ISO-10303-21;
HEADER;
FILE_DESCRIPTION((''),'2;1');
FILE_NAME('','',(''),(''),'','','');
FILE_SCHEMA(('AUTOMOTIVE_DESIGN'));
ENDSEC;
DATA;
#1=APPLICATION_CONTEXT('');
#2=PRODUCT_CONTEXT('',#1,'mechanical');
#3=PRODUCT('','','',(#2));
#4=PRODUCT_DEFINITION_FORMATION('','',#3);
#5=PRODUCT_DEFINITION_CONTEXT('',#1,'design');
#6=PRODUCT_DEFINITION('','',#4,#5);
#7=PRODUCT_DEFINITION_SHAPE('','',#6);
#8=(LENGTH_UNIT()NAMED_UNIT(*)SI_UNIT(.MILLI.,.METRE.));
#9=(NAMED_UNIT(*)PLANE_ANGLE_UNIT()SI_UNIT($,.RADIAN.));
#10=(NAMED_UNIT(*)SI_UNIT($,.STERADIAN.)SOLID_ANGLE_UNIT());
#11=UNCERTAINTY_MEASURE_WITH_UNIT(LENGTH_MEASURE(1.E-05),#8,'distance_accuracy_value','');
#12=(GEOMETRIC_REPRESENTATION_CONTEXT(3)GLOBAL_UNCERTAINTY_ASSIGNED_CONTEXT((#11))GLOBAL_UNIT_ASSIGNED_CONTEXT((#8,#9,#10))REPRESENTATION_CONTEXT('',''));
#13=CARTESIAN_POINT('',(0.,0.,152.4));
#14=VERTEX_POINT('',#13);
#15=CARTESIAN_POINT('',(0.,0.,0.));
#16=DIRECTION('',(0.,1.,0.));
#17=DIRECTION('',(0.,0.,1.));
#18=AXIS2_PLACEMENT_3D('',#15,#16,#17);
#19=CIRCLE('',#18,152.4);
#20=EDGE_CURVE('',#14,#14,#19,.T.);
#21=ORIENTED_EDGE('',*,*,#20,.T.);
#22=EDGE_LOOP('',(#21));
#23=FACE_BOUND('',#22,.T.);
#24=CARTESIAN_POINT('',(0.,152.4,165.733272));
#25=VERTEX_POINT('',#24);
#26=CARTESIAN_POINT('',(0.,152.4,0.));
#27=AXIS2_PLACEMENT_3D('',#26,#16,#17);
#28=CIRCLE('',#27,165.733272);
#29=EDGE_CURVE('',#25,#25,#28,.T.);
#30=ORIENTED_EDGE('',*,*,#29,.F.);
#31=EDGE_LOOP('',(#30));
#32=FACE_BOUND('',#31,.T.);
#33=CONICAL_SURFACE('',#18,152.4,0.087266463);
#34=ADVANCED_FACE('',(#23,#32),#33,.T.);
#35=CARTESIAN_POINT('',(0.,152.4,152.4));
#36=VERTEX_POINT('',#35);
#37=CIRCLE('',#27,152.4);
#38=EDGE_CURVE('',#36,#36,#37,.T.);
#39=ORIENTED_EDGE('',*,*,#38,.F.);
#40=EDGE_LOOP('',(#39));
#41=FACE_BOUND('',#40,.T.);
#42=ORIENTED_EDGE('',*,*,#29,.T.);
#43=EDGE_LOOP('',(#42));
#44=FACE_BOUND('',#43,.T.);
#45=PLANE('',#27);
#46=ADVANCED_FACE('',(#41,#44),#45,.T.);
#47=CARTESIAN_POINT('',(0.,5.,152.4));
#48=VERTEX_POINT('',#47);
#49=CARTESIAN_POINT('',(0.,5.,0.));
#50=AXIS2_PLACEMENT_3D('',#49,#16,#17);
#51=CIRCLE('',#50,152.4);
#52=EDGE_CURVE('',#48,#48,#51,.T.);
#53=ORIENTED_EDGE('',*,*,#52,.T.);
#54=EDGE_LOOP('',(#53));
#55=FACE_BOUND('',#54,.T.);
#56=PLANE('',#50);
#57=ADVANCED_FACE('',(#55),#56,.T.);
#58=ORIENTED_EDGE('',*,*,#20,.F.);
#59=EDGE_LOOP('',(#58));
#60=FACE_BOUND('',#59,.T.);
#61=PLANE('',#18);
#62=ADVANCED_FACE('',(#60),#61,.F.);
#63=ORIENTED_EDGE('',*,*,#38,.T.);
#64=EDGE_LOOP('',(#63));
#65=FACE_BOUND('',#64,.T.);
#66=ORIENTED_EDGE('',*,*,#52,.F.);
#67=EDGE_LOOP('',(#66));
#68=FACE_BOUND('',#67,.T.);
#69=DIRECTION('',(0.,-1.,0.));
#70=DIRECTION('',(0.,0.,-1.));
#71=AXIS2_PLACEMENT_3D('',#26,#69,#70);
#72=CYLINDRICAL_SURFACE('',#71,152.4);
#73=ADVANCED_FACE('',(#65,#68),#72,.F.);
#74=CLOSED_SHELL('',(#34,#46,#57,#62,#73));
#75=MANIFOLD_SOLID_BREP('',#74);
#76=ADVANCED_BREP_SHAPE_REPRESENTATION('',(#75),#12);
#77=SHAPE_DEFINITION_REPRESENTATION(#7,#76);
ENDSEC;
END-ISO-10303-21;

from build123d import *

# Parameters (mm, degrees)
SKETCH1_R           = 152.4
BOSS_EXTRUDE1_DEPTH = 152.4
BOSS_EXTRUDE1_DRAFT = -5
CUT_EXTRUDE2_START  = 5
SKETCH1_3_R         = 152.4
CUT_EXTRUDE2_DEPTH  = 275.572522092


with BuildPart() as part:
    # Sketch1 → Boss-Extrude1 (with draft: the straight prism first)
    with BuildSketch(Plane(origin=(0, 0, 0), x_dir=(1, 0, 0), z_dir=(0, 1, 0))):
        Circle(SKETCH1_R)
    extrude(amount=BOSS_EXTRUDE1_DEPTH)
    # Boss-Extrude1: the draft: its side faces are tilted about the plane it starts from
    boss_extrude1_sides = [part.faces().sort_by_distance(p)[0] for p in [
        (-152.4, 76.2, 0),
    ]]
    draft(boss_extrude1_sides, Plane(origin=(0, 0, 0), x_dir=(1, 0, 0), z_dir=(0, 1, 0)), BOSS_EXTRUDE1_DRAFT)

    # Sketch1<3> → Cut-Extrude2 (cut, through all)
    with BuildSketch(Plane(origin=(0, 0, 0), x_dir=(1, 0, 0), z_dir=(0, 1, 0)).offset(CUT_EXTRUDE2_START)):
        Circle(SKETCH1_3_R)
    extrude(amount=CUT_EXTRUDE2_DEPTH, mode=Mode.SUBTRACT)


solid = part.part
